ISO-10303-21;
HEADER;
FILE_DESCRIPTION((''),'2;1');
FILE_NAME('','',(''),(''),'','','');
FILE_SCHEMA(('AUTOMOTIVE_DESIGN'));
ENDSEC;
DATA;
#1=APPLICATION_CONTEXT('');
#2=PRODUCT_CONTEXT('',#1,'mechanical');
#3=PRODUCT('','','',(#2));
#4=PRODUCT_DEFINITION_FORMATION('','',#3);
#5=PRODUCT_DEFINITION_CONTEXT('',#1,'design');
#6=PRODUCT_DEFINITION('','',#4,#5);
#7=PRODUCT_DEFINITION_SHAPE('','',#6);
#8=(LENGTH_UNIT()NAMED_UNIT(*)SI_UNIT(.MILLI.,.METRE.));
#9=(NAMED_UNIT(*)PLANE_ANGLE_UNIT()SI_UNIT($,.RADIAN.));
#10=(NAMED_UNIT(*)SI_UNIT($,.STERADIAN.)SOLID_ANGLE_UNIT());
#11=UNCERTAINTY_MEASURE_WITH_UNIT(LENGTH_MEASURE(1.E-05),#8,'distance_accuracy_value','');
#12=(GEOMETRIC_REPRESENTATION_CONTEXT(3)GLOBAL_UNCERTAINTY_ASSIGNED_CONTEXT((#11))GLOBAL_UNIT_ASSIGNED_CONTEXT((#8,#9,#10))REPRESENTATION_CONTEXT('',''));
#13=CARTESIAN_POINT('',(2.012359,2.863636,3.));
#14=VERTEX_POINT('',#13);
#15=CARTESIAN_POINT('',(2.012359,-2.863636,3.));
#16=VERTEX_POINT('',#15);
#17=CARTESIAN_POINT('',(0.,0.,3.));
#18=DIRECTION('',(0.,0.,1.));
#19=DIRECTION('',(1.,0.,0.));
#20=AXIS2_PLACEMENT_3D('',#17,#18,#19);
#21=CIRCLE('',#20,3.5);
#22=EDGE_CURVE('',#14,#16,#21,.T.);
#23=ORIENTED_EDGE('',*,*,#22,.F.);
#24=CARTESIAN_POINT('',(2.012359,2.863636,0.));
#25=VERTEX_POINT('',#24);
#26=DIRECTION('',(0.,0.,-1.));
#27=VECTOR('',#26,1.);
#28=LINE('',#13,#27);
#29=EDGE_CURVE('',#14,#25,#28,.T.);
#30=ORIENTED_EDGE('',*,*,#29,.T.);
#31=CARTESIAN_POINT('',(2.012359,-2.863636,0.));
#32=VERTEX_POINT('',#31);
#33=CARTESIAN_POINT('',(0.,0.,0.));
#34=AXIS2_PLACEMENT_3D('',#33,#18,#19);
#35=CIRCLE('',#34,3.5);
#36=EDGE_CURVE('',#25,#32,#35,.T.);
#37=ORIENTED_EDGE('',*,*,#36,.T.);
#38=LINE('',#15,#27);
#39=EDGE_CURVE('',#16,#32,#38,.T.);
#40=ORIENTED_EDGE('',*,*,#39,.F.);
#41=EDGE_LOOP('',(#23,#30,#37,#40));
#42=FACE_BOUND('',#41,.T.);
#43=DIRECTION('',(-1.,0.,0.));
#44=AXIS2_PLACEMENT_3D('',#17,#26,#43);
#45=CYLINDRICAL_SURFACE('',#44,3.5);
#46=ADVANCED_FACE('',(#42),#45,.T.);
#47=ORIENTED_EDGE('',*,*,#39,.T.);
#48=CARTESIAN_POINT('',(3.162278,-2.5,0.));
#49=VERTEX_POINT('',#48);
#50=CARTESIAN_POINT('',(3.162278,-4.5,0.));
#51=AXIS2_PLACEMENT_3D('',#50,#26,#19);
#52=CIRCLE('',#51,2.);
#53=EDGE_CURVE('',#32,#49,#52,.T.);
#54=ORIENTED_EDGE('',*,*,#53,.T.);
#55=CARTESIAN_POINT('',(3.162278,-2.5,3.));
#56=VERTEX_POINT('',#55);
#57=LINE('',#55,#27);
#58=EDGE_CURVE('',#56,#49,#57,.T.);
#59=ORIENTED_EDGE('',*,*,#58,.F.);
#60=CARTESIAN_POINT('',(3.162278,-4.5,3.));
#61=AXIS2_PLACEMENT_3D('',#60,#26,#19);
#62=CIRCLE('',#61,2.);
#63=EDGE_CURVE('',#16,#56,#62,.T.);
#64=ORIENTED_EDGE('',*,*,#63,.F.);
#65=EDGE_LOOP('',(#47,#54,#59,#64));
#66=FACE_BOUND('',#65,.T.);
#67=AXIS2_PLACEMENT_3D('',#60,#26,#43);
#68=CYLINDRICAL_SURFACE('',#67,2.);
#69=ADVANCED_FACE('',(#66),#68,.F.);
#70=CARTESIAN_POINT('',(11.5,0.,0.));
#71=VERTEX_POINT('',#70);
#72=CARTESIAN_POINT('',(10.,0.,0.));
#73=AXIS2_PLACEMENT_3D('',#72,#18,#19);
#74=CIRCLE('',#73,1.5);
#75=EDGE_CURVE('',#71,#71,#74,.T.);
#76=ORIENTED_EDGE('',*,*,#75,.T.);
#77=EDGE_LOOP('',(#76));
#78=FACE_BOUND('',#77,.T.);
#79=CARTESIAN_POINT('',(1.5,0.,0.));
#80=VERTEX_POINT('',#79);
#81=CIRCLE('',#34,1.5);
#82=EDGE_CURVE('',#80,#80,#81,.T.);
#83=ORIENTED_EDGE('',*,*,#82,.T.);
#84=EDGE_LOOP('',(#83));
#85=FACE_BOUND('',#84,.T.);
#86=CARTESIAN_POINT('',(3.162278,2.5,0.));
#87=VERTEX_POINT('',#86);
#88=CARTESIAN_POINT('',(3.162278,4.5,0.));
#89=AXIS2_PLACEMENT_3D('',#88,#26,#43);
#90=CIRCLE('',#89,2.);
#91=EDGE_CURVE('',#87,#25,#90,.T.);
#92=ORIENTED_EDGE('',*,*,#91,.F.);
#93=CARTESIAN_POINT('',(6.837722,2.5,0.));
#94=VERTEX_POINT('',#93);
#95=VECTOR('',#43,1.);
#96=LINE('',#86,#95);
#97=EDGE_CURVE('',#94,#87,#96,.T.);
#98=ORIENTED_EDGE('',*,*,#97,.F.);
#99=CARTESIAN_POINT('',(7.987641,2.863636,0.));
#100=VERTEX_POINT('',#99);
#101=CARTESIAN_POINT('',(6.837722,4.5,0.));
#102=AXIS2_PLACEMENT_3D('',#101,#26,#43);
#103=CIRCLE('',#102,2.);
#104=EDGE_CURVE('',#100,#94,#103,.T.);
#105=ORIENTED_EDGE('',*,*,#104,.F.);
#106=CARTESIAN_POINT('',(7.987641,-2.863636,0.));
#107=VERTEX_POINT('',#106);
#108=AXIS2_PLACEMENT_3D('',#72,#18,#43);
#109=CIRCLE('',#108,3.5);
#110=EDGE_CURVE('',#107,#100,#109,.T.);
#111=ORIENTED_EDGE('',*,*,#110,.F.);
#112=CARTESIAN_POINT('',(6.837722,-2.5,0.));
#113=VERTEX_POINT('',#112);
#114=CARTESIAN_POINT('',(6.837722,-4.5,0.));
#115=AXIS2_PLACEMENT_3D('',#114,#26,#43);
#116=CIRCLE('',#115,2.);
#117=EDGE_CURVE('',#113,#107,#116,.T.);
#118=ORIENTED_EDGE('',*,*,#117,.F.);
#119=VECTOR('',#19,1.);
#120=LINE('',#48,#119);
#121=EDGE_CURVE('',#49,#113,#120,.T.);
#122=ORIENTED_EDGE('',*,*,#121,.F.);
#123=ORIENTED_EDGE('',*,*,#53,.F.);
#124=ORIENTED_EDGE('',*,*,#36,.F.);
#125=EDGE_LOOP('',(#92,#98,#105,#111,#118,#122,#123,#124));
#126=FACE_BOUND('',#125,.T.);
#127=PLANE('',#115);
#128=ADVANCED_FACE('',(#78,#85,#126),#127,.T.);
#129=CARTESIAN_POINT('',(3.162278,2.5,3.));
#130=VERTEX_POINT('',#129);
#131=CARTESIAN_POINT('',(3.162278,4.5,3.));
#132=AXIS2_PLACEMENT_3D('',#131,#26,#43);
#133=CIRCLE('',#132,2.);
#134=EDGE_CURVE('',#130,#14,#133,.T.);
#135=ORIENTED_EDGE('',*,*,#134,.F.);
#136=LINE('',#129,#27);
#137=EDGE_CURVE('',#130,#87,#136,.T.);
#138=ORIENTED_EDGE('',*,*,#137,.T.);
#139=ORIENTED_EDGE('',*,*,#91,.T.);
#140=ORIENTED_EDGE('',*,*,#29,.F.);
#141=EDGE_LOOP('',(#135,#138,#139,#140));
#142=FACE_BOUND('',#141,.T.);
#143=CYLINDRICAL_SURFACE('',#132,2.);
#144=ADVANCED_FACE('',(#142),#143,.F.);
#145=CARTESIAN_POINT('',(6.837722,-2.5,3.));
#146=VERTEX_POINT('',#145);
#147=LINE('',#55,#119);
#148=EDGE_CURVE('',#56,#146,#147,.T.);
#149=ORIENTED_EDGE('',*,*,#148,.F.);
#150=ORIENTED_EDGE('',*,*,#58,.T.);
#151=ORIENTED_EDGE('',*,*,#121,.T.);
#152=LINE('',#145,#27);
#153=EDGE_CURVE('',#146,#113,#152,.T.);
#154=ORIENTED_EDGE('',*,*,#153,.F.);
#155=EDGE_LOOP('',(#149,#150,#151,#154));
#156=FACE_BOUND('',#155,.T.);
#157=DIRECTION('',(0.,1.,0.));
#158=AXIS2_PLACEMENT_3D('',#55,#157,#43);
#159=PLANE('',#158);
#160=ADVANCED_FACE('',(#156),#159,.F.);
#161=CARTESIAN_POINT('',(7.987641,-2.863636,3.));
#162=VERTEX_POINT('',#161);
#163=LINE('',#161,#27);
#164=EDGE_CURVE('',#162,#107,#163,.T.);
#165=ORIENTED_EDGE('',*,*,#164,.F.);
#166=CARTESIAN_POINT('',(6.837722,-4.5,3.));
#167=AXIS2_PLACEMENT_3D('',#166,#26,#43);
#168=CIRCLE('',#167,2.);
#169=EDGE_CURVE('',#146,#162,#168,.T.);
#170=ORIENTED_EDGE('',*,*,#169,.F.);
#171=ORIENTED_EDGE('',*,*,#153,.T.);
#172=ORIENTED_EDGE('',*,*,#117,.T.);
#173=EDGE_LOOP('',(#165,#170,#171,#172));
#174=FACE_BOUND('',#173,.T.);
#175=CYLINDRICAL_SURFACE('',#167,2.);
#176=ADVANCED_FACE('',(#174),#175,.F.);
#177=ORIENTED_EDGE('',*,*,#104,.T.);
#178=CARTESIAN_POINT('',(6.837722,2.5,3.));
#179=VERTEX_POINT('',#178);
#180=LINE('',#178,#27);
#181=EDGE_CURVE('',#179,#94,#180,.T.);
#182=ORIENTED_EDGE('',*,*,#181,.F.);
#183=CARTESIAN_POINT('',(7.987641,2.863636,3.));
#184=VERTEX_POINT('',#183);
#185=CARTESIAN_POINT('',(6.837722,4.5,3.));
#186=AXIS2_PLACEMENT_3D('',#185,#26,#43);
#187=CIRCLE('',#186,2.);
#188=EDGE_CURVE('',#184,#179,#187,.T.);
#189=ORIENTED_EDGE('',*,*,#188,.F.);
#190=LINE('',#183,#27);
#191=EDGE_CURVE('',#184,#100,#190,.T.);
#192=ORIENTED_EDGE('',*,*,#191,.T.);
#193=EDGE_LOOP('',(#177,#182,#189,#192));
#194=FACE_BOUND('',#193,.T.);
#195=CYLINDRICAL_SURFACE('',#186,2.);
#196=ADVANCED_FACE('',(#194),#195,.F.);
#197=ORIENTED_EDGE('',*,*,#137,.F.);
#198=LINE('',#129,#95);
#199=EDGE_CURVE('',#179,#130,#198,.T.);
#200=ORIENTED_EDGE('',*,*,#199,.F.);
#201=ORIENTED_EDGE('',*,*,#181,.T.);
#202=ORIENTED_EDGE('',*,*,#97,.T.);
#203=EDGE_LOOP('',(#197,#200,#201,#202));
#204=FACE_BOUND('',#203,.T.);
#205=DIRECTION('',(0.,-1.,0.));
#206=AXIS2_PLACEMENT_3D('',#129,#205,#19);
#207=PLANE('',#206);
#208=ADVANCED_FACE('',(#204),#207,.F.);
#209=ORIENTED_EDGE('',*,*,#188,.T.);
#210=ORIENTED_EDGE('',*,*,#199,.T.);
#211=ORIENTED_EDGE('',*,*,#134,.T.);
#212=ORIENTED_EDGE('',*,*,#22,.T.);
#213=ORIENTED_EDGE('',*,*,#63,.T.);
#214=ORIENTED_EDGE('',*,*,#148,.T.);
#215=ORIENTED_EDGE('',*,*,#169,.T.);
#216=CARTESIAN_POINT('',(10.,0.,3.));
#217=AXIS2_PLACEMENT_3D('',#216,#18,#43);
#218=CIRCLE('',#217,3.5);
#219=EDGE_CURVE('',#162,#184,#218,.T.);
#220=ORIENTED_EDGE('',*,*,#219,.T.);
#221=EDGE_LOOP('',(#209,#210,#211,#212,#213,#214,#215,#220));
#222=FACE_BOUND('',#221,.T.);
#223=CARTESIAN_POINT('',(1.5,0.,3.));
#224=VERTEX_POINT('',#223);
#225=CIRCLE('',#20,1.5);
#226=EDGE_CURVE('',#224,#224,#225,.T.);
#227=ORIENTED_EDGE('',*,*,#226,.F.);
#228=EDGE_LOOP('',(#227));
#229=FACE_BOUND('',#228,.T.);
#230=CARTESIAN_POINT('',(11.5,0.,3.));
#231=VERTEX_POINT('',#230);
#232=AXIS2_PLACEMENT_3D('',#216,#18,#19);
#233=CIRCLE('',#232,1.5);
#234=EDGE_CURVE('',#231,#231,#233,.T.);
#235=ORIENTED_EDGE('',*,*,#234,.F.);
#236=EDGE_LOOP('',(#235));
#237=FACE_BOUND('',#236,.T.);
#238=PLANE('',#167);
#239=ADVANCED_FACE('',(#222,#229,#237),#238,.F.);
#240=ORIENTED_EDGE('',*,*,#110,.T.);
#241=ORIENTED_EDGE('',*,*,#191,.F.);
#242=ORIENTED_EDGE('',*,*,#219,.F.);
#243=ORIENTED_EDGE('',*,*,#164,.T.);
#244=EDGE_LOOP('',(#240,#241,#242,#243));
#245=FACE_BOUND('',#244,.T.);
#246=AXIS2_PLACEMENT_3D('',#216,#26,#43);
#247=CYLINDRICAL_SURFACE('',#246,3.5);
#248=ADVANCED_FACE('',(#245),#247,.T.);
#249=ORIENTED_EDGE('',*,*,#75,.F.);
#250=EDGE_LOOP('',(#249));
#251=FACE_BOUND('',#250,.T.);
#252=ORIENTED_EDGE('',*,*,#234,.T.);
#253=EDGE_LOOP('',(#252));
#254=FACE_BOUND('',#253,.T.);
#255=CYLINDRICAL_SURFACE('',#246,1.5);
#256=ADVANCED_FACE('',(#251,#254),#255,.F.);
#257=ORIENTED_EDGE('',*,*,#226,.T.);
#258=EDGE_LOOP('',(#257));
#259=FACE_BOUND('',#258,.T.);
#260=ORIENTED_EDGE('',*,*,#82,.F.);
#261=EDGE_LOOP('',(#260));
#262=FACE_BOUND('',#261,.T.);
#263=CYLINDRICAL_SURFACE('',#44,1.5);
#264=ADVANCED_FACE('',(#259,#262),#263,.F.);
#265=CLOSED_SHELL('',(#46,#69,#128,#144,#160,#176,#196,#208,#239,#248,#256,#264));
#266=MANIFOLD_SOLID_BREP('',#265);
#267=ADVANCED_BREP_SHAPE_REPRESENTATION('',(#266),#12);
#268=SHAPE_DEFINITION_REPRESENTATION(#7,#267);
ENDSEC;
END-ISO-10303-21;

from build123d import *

# Parameters (mm, degrees)
SKETCH_1_R      = 1.5
EXTRUDE_1_DEPTH = 3


with BuildPart() as part:
    # 草图1 → 凸台-拉伸1 (new body)
    with BuildSketch(Plane.XY):
        with BuildLine():
            Line((3.16227766, 2.5), (6.83772234, 2.5))
            ThreePointArc((6.83772234, 2.5), (7.440745029, 2.593074822), (7.987641489, 2.863636364))
            ThreePointArc((7.987641489, 2.863636364), (13.5, 0), (7.987641489, -2.863636364))
            ThreePointArc((7.987641489, -2.863636364), (7.440745029, -2.593074822), (6.83772234, -2.5))
            Line((6.83772234, -2.5), (3.16227766, -2.5))
            ThreePointArc((3.16227766, -2.5), (2.559254971, -2.593074822), (2.012358511, -2.863636364))
            ThreePointArc((2.012358511, -2.863636364), (-3.5, 0), (2.012358511, 2.863636364))
            ThreePointArc((2.012358511, 2.863636364), (2.559254971, 2.593074822), (3.16227766, 2.5))
        make_face()
        Circle(SKETCH_1_R, mode=Mode.SUBTRACT)
        with Locations((10, 0)):
            Circle(SKETCH_1_R, mode=Mode.SUBTRACT)
    extrude(amount=EXTRUDE_1_DEPTH)


solid = part.part
